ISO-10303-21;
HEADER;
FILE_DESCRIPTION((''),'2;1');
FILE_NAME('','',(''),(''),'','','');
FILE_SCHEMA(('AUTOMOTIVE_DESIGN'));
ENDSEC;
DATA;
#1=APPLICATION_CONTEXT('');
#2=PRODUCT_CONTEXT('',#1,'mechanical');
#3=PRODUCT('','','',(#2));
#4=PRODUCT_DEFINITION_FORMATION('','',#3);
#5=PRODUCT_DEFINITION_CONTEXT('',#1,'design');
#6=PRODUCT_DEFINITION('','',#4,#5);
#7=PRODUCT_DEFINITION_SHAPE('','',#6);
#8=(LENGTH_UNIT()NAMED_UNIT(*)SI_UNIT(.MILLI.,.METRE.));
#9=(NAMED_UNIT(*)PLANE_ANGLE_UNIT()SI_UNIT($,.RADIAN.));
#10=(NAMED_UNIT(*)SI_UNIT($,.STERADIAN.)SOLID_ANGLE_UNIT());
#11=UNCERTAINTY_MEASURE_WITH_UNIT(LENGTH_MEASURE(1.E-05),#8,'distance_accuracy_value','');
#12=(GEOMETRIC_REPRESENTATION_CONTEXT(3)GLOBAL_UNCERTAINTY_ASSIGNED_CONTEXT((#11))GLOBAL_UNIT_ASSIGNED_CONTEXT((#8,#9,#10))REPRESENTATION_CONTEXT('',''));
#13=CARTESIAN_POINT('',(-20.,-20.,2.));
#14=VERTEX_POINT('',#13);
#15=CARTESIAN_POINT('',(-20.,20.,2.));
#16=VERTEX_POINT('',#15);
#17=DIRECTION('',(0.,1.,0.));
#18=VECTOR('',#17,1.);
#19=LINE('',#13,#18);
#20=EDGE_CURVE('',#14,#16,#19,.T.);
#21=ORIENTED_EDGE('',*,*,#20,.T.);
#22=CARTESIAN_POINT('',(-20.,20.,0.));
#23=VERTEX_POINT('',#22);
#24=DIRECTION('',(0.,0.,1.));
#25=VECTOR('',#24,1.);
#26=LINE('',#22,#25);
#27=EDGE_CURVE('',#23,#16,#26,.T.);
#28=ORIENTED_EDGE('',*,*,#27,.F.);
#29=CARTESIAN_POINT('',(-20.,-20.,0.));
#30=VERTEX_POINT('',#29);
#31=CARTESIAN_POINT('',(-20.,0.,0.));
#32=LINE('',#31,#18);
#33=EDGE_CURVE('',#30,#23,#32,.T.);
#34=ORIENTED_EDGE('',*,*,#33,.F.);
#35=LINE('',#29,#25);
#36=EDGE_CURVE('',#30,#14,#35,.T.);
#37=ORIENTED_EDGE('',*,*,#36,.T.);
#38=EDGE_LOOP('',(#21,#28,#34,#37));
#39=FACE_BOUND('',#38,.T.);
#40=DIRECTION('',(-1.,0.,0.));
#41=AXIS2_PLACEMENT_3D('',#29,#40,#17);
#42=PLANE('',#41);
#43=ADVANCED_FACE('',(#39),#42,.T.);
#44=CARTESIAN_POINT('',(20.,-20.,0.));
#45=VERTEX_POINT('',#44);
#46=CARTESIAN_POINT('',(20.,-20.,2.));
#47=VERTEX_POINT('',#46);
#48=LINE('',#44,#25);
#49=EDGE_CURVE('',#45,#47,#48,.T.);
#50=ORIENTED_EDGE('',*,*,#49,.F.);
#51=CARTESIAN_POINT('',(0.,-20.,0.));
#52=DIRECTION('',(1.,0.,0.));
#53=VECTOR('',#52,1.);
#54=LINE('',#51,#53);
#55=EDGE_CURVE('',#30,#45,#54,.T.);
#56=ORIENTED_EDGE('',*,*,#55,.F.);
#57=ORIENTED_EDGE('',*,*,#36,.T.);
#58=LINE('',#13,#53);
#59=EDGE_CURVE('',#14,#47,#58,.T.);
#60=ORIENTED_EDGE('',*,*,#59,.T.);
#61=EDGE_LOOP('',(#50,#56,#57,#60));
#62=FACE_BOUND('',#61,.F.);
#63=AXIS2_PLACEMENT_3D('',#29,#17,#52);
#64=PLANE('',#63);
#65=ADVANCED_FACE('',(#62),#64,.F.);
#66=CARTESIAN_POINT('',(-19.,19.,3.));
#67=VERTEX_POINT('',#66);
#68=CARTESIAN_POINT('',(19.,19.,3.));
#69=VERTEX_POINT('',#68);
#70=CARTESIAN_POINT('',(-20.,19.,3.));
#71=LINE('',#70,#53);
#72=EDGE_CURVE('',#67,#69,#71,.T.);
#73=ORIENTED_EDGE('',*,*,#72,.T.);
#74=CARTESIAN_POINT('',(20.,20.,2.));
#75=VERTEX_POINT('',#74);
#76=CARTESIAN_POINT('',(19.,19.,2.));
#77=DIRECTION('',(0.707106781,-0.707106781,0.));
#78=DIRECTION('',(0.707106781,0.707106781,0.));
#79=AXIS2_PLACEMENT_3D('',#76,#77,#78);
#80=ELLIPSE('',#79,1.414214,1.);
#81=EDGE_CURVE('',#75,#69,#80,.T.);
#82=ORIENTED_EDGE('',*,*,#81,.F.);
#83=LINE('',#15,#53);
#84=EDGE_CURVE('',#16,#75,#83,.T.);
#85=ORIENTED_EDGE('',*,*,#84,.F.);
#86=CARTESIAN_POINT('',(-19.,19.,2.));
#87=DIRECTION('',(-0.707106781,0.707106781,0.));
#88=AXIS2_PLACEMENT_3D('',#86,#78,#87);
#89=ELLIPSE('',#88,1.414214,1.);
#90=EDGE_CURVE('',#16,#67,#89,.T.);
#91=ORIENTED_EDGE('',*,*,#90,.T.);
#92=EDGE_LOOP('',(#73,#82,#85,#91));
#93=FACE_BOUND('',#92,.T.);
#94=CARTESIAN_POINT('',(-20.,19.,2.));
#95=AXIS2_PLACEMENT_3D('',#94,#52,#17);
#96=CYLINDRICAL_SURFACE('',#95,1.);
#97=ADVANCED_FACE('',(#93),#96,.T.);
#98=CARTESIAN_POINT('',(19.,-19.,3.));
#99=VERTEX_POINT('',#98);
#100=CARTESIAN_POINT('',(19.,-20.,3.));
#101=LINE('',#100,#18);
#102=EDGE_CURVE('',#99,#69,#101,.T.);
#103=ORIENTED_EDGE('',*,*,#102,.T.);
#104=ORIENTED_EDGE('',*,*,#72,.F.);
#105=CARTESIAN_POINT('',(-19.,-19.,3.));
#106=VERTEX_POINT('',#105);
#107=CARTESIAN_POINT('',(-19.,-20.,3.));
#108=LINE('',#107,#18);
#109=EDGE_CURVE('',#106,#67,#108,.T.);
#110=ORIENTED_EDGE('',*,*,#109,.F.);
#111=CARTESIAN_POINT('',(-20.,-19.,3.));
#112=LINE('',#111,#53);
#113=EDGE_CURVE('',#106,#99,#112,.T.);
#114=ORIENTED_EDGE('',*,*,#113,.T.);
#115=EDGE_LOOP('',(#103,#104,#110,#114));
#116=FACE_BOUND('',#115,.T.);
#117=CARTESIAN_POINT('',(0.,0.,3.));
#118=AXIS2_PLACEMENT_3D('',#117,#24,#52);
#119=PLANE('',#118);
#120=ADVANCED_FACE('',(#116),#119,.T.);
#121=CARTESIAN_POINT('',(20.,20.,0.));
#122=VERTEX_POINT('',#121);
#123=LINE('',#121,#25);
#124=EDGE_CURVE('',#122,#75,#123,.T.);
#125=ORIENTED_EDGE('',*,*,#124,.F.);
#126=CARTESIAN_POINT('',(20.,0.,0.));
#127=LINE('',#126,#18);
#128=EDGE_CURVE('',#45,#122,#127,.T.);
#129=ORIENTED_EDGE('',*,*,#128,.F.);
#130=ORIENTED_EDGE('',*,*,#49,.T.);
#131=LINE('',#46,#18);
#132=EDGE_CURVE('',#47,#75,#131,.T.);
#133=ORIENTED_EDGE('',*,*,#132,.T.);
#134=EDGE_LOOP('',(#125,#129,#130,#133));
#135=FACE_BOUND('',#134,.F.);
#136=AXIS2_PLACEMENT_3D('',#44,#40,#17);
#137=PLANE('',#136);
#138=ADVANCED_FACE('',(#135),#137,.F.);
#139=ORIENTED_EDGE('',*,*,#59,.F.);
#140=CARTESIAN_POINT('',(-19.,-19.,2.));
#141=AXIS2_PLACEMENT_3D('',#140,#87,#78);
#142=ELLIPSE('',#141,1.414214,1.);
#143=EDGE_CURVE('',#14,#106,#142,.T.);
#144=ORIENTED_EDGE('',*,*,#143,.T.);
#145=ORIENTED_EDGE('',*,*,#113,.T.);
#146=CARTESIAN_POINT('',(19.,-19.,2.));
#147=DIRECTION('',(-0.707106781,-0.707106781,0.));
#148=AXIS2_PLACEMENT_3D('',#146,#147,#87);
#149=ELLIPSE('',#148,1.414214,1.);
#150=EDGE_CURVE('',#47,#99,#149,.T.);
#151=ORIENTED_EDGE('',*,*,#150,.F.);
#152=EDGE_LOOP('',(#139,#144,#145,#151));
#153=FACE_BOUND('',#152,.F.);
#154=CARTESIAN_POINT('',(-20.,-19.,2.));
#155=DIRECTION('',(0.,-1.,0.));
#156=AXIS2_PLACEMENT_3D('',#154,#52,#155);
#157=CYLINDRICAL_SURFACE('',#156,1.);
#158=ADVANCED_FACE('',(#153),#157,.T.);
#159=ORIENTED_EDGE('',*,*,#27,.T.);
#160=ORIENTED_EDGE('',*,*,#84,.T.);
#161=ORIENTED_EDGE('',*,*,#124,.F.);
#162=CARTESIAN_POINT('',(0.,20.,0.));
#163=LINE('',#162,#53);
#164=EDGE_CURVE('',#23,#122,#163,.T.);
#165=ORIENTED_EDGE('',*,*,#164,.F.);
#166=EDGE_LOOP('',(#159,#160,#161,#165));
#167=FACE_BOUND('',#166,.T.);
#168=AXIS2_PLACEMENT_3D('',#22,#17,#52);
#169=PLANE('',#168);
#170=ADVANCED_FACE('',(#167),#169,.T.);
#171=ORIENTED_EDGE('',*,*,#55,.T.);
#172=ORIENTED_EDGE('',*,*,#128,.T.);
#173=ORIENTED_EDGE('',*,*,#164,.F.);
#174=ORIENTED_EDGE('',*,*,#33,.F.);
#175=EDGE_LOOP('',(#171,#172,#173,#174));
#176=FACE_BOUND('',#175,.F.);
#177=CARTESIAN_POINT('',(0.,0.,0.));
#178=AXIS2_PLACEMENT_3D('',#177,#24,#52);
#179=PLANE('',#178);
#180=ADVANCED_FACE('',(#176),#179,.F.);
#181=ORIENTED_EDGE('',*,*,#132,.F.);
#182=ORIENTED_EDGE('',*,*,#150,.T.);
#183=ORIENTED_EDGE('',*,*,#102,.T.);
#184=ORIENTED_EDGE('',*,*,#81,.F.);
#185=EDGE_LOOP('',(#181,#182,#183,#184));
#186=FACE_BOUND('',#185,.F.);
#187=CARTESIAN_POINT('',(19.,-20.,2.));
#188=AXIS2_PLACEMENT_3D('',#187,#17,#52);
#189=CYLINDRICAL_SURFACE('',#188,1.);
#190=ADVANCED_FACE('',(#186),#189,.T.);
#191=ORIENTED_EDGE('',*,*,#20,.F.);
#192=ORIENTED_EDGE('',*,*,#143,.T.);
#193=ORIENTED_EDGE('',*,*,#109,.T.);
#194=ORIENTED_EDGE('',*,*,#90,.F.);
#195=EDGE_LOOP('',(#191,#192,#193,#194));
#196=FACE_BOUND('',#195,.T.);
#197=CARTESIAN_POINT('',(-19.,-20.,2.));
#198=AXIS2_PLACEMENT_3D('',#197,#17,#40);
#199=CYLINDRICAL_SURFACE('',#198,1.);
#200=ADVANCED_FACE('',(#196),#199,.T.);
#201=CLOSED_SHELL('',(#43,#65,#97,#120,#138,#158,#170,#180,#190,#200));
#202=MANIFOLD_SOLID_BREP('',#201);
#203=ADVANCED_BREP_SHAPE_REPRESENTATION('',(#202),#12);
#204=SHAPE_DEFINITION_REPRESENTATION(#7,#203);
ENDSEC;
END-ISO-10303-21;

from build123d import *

# Parameters (mm, degrees)
SKETCH_W  = 40
SKETCH_H  = 40
PAD_DEPTH = 3
FILLET_R  = 1


with BuildPart() as part:
    # Sketch → Pad (new body)
    with BuildSketch(Plane.XY):
        Rectangle(SKETCH_W, SKETCH_H)
    extrude(amount=PAD_DEPTH)

    # Fillet
    fillet_edges = [part.edges().sort_by_distance(p)[0] for p in [
        (20, 0, 3),
        (0, -20, 3),
        (-20, 0, 3),
        (0, 20, 3),
    ]]
    fillet(fillet_edges, radius=FILLET_R)


solid = part.part
